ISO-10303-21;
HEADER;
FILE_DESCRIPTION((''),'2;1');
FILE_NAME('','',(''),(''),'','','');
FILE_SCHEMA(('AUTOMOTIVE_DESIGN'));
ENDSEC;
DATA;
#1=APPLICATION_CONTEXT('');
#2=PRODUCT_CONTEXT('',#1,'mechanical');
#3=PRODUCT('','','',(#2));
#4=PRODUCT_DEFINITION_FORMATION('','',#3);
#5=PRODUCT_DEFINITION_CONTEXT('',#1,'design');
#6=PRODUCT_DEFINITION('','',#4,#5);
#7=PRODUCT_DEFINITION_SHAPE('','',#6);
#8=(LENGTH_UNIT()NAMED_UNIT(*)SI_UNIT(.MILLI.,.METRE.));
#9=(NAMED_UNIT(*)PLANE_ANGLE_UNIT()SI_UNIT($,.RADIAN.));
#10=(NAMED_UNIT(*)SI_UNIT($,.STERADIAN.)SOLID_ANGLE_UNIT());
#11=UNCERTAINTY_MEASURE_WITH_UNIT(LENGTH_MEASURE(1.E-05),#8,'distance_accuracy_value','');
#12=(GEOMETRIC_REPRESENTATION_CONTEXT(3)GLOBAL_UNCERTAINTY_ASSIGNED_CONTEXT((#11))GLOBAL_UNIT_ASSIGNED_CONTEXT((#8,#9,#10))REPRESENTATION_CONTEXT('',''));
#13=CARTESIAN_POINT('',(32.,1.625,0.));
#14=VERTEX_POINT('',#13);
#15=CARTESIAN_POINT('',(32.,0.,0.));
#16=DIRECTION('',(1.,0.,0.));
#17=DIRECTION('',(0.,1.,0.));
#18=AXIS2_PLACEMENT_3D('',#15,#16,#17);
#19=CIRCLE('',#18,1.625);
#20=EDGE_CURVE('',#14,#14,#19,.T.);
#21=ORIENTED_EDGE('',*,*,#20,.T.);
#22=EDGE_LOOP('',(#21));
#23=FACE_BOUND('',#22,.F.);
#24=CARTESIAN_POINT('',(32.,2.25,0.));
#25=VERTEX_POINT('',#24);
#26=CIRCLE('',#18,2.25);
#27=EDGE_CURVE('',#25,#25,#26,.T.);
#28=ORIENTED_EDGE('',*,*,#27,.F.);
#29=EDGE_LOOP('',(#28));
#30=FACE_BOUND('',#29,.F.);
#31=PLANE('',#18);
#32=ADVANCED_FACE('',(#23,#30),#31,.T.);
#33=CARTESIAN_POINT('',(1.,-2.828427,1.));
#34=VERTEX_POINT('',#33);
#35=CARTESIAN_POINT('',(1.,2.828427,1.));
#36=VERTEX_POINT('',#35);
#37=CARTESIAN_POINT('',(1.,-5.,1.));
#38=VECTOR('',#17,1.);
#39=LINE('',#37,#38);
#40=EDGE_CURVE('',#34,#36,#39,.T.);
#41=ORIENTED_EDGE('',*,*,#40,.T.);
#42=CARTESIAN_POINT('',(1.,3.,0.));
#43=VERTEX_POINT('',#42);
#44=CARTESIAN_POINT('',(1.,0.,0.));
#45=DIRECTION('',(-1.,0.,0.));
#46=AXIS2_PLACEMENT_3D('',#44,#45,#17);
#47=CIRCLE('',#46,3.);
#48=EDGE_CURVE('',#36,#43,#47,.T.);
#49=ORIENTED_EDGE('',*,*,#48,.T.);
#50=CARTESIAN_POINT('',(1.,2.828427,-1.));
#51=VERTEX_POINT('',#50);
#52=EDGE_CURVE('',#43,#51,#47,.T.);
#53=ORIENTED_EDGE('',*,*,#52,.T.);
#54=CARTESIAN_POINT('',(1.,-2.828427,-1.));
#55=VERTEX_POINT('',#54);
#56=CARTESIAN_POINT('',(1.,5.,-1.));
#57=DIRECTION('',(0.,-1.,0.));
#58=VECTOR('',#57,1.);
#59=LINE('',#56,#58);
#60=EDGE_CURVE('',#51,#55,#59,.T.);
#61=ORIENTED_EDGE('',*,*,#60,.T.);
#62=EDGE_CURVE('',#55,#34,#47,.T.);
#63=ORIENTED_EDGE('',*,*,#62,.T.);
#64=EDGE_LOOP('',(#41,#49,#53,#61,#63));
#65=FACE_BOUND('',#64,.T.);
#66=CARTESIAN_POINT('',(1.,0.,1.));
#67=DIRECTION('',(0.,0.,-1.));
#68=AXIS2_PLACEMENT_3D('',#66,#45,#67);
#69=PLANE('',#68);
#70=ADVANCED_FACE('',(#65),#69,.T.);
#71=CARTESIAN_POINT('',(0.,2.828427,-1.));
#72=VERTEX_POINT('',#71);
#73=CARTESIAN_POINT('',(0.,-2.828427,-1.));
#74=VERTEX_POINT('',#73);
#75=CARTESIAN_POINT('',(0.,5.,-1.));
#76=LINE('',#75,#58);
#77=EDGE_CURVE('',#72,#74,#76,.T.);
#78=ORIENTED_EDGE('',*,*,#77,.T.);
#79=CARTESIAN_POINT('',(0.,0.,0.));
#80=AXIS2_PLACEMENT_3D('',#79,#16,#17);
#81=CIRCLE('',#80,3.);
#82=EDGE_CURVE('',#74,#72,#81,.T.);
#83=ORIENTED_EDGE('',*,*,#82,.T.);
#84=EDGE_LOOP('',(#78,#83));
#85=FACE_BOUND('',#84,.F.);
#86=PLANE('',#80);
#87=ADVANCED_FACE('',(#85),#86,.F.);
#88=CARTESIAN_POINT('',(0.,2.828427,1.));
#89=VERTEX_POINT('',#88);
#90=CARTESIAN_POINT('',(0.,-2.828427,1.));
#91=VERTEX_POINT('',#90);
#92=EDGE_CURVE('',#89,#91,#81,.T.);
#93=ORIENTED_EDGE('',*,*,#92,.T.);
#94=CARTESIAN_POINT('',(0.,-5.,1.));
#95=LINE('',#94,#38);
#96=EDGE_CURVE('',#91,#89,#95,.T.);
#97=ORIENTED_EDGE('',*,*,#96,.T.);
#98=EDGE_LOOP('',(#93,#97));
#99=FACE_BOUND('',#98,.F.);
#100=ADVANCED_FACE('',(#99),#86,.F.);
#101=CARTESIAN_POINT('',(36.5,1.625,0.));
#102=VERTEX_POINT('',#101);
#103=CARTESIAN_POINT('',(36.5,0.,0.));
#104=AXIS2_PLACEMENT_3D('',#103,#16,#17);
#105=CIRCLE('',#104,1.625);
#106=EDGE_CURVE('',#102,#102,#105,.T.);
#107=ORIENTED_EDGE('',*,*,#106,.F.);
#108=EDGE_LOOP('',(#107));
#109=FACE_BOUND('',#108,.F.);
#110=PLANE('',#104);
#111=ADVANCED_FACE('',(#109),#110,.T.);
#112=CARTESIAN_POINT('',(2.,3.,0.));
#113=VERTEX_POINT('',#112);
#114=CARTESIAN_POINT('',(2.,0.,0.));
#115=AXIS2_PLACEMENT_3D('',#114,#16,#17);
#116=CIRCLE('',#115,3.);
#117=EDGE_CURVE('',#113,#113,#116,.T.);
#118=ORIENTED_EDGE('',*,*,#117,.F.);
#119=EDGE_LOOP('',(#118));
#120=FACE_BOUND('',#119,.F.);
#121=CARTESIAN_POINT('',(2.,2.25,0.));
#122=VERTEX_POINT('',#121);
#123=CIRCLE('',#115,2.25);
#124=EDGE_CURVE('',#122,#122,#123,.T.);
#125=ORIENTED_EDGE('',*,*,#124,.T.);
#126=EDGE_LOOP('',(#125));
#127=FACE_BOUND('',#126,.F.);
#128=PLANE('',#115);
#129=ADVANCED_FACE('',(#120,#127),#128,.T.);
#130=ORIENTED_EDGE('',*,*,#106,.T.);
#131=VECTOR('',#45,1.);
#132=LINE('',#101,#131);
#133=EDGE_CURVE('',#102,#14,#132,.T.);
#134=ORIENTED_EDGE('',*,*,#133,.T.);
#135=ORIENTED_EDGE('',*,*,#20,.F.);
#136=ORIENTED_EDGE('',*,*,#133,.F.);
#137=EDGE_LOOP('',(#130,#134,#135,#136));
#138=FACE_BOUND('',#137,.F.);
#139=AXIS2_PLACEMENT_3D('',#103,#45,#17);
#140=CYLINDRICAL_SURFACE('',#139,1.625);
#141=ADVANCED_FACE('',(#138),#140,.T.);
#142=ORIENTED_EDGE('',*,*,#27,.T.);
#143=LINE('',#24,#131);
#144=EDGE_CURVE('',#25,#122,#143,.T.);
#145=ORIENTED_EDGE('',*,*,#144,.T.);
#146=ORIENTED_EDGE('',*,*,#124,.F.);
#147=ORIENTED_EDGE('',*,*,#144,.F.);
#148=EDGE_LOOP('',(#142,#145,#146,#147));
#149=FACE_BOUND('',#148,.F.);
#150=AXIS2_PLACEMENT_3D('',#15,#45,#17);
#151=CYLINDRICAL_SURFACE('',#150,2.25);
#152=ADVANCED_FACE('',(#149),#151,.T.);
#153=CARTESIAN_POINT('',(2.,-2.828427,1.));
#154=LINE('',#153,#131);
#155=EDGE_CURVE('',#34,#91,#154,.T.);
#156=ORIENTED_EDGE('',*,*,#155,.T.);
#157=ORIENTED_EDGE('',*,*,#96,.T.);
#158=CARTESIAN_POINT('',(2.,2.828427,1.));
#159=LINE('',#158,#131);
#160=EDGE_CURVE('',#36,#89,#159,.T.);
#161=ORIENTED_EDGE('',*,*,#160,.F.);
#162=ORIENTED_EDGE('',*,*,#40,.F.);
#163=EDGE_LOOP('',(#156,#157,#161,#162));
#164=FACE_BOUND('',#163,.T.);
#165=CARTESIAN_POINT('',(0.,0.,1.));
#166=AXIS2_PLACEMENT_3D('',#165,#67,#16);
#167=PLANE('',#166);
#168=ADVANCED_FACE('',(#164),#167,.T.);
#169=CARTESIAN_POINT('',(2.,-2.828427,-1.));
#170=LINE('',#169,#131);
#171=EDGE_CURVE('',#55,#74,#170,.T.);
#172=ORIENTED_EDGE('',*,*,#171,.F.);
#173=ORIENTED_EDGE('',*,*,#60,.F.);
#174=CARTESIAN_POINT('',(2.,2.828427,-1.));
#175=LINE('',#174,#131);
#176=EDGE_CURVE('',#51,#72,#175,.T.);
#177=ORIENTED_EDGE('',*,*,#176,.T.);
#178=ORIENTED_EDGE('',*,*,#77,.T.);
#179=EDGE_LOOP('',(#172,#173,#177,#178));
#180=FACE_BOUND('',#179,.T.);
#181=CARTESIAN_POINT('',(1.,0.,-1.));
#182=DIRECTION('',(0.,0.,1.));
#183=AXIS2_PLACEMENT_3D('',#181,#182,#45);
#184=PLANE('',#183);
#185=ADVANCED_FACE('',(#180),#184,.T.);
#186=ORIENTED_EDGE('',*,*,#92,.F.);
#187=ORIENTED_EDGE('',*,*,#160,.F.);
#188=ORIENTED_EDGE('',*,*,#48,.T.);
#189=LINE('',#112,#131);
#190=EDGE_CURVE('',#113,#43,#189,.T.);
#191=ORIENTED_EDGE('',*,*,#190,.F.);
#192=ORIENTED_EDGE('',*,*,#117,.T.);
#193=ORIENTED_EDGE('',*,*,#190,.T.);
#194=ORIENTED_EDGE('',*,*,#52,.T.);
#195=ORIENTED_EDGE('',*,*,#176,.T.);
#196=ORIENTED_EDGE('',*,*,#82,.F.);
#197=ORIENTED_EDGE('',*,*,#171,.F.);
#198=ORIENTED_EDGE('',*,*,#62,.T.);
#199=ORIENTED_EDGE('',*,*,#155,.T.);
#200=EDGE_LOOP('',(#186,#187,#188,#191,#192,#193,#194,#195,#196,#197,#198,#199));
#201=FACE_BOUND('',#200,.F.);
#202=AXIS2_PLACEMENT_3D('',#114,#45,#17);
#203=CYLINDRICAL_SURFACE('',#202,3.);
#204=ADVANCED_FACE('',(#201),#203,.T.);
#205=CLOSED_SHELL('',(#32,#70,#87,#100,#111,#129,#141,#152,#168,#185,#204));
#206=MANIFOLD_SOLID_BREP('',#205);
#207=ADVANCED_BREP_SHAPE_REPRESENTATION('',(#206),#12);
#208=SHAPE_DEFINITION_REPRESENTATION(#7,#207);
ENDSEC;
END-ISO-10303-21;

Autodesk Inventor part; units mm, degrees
ref_plane "YZ Plane" through (0, 0, 0) normal (1, 0, 0) x (0, 1, 0)
ref_plane "XZ Plane" through (0, 0, 0) normal (0, 1, 0) x (-1, 0, 0)
ref_plane "XY Plane" through (0, 0, 0) normal (0, 0, 1) x (1, 0, 0)
sketch "Sketch1" plane through (0, 0, 0) normal (0, 0, 1) x (1, 0, 0)
  line L0 (0, 0) -> (2, 0)
  line L1 (2, 0) -> (2, 3)
  line L2 (2, 3) -> (0, 3)
  line L3 (0, 3) -> (0, 0)
  line L4 (2, 0) -> (32, 0)
  line L5 (32, 0) -> (32, 2.25)
  line L6 (32, 2.25) -> (2, 2.25)
  line L7 (2, 2.25) -> (2, 0)
  line L8 (32, 0) -> (36.5, 0)
  line L9 (36.5, 0) -> (36.5, 1.625)
  line L10 (36.5, 1.625) -> (32, 1.625)
  line L11 (32, 1.625) -> (32, 0)
  dimension "d0" = 36.5
  dimension "d1" = 32
  dimension "d2" = 2
  dimension "d3" = 6
  dimension "d4" = 4.5
  dimension "d5" = 3.25
revolve "Revolution1" add sketch "Sketch1" angle 360 about axis through (2, 0, 0) along (1, 0, 0)
sketch "Sketch2" plane through (0, 0, 0) normal (0, 1, 0) x (-1, 0, 0)
  line L0 (0, 3) -> (0, -3) projected
  line L1 (-2, 3) -> (-2, -3) projected
  line L2 (0, 1) -> (-1, 1)
  line L3 (-1, 1) -> (-1, -1)
  line L4 (-1, -1) -> (0, -1)
  line L5 (0, -1) -> (0, 1)
  dimension "d10" = 2
  dimension "d11" = 2
  dimension "d12" = 2
  dimension "d15" = 1
extrude "Extrusion1" cut sketch "Sketch2" along normal mid plane 10
thread "Thread1" size "M3.5x0.6" class "6g" standard "ANSI Metric M Profile" full length
equation "\"d11\" = d12"
properties part number "406-02" material "Steel, Mild"
